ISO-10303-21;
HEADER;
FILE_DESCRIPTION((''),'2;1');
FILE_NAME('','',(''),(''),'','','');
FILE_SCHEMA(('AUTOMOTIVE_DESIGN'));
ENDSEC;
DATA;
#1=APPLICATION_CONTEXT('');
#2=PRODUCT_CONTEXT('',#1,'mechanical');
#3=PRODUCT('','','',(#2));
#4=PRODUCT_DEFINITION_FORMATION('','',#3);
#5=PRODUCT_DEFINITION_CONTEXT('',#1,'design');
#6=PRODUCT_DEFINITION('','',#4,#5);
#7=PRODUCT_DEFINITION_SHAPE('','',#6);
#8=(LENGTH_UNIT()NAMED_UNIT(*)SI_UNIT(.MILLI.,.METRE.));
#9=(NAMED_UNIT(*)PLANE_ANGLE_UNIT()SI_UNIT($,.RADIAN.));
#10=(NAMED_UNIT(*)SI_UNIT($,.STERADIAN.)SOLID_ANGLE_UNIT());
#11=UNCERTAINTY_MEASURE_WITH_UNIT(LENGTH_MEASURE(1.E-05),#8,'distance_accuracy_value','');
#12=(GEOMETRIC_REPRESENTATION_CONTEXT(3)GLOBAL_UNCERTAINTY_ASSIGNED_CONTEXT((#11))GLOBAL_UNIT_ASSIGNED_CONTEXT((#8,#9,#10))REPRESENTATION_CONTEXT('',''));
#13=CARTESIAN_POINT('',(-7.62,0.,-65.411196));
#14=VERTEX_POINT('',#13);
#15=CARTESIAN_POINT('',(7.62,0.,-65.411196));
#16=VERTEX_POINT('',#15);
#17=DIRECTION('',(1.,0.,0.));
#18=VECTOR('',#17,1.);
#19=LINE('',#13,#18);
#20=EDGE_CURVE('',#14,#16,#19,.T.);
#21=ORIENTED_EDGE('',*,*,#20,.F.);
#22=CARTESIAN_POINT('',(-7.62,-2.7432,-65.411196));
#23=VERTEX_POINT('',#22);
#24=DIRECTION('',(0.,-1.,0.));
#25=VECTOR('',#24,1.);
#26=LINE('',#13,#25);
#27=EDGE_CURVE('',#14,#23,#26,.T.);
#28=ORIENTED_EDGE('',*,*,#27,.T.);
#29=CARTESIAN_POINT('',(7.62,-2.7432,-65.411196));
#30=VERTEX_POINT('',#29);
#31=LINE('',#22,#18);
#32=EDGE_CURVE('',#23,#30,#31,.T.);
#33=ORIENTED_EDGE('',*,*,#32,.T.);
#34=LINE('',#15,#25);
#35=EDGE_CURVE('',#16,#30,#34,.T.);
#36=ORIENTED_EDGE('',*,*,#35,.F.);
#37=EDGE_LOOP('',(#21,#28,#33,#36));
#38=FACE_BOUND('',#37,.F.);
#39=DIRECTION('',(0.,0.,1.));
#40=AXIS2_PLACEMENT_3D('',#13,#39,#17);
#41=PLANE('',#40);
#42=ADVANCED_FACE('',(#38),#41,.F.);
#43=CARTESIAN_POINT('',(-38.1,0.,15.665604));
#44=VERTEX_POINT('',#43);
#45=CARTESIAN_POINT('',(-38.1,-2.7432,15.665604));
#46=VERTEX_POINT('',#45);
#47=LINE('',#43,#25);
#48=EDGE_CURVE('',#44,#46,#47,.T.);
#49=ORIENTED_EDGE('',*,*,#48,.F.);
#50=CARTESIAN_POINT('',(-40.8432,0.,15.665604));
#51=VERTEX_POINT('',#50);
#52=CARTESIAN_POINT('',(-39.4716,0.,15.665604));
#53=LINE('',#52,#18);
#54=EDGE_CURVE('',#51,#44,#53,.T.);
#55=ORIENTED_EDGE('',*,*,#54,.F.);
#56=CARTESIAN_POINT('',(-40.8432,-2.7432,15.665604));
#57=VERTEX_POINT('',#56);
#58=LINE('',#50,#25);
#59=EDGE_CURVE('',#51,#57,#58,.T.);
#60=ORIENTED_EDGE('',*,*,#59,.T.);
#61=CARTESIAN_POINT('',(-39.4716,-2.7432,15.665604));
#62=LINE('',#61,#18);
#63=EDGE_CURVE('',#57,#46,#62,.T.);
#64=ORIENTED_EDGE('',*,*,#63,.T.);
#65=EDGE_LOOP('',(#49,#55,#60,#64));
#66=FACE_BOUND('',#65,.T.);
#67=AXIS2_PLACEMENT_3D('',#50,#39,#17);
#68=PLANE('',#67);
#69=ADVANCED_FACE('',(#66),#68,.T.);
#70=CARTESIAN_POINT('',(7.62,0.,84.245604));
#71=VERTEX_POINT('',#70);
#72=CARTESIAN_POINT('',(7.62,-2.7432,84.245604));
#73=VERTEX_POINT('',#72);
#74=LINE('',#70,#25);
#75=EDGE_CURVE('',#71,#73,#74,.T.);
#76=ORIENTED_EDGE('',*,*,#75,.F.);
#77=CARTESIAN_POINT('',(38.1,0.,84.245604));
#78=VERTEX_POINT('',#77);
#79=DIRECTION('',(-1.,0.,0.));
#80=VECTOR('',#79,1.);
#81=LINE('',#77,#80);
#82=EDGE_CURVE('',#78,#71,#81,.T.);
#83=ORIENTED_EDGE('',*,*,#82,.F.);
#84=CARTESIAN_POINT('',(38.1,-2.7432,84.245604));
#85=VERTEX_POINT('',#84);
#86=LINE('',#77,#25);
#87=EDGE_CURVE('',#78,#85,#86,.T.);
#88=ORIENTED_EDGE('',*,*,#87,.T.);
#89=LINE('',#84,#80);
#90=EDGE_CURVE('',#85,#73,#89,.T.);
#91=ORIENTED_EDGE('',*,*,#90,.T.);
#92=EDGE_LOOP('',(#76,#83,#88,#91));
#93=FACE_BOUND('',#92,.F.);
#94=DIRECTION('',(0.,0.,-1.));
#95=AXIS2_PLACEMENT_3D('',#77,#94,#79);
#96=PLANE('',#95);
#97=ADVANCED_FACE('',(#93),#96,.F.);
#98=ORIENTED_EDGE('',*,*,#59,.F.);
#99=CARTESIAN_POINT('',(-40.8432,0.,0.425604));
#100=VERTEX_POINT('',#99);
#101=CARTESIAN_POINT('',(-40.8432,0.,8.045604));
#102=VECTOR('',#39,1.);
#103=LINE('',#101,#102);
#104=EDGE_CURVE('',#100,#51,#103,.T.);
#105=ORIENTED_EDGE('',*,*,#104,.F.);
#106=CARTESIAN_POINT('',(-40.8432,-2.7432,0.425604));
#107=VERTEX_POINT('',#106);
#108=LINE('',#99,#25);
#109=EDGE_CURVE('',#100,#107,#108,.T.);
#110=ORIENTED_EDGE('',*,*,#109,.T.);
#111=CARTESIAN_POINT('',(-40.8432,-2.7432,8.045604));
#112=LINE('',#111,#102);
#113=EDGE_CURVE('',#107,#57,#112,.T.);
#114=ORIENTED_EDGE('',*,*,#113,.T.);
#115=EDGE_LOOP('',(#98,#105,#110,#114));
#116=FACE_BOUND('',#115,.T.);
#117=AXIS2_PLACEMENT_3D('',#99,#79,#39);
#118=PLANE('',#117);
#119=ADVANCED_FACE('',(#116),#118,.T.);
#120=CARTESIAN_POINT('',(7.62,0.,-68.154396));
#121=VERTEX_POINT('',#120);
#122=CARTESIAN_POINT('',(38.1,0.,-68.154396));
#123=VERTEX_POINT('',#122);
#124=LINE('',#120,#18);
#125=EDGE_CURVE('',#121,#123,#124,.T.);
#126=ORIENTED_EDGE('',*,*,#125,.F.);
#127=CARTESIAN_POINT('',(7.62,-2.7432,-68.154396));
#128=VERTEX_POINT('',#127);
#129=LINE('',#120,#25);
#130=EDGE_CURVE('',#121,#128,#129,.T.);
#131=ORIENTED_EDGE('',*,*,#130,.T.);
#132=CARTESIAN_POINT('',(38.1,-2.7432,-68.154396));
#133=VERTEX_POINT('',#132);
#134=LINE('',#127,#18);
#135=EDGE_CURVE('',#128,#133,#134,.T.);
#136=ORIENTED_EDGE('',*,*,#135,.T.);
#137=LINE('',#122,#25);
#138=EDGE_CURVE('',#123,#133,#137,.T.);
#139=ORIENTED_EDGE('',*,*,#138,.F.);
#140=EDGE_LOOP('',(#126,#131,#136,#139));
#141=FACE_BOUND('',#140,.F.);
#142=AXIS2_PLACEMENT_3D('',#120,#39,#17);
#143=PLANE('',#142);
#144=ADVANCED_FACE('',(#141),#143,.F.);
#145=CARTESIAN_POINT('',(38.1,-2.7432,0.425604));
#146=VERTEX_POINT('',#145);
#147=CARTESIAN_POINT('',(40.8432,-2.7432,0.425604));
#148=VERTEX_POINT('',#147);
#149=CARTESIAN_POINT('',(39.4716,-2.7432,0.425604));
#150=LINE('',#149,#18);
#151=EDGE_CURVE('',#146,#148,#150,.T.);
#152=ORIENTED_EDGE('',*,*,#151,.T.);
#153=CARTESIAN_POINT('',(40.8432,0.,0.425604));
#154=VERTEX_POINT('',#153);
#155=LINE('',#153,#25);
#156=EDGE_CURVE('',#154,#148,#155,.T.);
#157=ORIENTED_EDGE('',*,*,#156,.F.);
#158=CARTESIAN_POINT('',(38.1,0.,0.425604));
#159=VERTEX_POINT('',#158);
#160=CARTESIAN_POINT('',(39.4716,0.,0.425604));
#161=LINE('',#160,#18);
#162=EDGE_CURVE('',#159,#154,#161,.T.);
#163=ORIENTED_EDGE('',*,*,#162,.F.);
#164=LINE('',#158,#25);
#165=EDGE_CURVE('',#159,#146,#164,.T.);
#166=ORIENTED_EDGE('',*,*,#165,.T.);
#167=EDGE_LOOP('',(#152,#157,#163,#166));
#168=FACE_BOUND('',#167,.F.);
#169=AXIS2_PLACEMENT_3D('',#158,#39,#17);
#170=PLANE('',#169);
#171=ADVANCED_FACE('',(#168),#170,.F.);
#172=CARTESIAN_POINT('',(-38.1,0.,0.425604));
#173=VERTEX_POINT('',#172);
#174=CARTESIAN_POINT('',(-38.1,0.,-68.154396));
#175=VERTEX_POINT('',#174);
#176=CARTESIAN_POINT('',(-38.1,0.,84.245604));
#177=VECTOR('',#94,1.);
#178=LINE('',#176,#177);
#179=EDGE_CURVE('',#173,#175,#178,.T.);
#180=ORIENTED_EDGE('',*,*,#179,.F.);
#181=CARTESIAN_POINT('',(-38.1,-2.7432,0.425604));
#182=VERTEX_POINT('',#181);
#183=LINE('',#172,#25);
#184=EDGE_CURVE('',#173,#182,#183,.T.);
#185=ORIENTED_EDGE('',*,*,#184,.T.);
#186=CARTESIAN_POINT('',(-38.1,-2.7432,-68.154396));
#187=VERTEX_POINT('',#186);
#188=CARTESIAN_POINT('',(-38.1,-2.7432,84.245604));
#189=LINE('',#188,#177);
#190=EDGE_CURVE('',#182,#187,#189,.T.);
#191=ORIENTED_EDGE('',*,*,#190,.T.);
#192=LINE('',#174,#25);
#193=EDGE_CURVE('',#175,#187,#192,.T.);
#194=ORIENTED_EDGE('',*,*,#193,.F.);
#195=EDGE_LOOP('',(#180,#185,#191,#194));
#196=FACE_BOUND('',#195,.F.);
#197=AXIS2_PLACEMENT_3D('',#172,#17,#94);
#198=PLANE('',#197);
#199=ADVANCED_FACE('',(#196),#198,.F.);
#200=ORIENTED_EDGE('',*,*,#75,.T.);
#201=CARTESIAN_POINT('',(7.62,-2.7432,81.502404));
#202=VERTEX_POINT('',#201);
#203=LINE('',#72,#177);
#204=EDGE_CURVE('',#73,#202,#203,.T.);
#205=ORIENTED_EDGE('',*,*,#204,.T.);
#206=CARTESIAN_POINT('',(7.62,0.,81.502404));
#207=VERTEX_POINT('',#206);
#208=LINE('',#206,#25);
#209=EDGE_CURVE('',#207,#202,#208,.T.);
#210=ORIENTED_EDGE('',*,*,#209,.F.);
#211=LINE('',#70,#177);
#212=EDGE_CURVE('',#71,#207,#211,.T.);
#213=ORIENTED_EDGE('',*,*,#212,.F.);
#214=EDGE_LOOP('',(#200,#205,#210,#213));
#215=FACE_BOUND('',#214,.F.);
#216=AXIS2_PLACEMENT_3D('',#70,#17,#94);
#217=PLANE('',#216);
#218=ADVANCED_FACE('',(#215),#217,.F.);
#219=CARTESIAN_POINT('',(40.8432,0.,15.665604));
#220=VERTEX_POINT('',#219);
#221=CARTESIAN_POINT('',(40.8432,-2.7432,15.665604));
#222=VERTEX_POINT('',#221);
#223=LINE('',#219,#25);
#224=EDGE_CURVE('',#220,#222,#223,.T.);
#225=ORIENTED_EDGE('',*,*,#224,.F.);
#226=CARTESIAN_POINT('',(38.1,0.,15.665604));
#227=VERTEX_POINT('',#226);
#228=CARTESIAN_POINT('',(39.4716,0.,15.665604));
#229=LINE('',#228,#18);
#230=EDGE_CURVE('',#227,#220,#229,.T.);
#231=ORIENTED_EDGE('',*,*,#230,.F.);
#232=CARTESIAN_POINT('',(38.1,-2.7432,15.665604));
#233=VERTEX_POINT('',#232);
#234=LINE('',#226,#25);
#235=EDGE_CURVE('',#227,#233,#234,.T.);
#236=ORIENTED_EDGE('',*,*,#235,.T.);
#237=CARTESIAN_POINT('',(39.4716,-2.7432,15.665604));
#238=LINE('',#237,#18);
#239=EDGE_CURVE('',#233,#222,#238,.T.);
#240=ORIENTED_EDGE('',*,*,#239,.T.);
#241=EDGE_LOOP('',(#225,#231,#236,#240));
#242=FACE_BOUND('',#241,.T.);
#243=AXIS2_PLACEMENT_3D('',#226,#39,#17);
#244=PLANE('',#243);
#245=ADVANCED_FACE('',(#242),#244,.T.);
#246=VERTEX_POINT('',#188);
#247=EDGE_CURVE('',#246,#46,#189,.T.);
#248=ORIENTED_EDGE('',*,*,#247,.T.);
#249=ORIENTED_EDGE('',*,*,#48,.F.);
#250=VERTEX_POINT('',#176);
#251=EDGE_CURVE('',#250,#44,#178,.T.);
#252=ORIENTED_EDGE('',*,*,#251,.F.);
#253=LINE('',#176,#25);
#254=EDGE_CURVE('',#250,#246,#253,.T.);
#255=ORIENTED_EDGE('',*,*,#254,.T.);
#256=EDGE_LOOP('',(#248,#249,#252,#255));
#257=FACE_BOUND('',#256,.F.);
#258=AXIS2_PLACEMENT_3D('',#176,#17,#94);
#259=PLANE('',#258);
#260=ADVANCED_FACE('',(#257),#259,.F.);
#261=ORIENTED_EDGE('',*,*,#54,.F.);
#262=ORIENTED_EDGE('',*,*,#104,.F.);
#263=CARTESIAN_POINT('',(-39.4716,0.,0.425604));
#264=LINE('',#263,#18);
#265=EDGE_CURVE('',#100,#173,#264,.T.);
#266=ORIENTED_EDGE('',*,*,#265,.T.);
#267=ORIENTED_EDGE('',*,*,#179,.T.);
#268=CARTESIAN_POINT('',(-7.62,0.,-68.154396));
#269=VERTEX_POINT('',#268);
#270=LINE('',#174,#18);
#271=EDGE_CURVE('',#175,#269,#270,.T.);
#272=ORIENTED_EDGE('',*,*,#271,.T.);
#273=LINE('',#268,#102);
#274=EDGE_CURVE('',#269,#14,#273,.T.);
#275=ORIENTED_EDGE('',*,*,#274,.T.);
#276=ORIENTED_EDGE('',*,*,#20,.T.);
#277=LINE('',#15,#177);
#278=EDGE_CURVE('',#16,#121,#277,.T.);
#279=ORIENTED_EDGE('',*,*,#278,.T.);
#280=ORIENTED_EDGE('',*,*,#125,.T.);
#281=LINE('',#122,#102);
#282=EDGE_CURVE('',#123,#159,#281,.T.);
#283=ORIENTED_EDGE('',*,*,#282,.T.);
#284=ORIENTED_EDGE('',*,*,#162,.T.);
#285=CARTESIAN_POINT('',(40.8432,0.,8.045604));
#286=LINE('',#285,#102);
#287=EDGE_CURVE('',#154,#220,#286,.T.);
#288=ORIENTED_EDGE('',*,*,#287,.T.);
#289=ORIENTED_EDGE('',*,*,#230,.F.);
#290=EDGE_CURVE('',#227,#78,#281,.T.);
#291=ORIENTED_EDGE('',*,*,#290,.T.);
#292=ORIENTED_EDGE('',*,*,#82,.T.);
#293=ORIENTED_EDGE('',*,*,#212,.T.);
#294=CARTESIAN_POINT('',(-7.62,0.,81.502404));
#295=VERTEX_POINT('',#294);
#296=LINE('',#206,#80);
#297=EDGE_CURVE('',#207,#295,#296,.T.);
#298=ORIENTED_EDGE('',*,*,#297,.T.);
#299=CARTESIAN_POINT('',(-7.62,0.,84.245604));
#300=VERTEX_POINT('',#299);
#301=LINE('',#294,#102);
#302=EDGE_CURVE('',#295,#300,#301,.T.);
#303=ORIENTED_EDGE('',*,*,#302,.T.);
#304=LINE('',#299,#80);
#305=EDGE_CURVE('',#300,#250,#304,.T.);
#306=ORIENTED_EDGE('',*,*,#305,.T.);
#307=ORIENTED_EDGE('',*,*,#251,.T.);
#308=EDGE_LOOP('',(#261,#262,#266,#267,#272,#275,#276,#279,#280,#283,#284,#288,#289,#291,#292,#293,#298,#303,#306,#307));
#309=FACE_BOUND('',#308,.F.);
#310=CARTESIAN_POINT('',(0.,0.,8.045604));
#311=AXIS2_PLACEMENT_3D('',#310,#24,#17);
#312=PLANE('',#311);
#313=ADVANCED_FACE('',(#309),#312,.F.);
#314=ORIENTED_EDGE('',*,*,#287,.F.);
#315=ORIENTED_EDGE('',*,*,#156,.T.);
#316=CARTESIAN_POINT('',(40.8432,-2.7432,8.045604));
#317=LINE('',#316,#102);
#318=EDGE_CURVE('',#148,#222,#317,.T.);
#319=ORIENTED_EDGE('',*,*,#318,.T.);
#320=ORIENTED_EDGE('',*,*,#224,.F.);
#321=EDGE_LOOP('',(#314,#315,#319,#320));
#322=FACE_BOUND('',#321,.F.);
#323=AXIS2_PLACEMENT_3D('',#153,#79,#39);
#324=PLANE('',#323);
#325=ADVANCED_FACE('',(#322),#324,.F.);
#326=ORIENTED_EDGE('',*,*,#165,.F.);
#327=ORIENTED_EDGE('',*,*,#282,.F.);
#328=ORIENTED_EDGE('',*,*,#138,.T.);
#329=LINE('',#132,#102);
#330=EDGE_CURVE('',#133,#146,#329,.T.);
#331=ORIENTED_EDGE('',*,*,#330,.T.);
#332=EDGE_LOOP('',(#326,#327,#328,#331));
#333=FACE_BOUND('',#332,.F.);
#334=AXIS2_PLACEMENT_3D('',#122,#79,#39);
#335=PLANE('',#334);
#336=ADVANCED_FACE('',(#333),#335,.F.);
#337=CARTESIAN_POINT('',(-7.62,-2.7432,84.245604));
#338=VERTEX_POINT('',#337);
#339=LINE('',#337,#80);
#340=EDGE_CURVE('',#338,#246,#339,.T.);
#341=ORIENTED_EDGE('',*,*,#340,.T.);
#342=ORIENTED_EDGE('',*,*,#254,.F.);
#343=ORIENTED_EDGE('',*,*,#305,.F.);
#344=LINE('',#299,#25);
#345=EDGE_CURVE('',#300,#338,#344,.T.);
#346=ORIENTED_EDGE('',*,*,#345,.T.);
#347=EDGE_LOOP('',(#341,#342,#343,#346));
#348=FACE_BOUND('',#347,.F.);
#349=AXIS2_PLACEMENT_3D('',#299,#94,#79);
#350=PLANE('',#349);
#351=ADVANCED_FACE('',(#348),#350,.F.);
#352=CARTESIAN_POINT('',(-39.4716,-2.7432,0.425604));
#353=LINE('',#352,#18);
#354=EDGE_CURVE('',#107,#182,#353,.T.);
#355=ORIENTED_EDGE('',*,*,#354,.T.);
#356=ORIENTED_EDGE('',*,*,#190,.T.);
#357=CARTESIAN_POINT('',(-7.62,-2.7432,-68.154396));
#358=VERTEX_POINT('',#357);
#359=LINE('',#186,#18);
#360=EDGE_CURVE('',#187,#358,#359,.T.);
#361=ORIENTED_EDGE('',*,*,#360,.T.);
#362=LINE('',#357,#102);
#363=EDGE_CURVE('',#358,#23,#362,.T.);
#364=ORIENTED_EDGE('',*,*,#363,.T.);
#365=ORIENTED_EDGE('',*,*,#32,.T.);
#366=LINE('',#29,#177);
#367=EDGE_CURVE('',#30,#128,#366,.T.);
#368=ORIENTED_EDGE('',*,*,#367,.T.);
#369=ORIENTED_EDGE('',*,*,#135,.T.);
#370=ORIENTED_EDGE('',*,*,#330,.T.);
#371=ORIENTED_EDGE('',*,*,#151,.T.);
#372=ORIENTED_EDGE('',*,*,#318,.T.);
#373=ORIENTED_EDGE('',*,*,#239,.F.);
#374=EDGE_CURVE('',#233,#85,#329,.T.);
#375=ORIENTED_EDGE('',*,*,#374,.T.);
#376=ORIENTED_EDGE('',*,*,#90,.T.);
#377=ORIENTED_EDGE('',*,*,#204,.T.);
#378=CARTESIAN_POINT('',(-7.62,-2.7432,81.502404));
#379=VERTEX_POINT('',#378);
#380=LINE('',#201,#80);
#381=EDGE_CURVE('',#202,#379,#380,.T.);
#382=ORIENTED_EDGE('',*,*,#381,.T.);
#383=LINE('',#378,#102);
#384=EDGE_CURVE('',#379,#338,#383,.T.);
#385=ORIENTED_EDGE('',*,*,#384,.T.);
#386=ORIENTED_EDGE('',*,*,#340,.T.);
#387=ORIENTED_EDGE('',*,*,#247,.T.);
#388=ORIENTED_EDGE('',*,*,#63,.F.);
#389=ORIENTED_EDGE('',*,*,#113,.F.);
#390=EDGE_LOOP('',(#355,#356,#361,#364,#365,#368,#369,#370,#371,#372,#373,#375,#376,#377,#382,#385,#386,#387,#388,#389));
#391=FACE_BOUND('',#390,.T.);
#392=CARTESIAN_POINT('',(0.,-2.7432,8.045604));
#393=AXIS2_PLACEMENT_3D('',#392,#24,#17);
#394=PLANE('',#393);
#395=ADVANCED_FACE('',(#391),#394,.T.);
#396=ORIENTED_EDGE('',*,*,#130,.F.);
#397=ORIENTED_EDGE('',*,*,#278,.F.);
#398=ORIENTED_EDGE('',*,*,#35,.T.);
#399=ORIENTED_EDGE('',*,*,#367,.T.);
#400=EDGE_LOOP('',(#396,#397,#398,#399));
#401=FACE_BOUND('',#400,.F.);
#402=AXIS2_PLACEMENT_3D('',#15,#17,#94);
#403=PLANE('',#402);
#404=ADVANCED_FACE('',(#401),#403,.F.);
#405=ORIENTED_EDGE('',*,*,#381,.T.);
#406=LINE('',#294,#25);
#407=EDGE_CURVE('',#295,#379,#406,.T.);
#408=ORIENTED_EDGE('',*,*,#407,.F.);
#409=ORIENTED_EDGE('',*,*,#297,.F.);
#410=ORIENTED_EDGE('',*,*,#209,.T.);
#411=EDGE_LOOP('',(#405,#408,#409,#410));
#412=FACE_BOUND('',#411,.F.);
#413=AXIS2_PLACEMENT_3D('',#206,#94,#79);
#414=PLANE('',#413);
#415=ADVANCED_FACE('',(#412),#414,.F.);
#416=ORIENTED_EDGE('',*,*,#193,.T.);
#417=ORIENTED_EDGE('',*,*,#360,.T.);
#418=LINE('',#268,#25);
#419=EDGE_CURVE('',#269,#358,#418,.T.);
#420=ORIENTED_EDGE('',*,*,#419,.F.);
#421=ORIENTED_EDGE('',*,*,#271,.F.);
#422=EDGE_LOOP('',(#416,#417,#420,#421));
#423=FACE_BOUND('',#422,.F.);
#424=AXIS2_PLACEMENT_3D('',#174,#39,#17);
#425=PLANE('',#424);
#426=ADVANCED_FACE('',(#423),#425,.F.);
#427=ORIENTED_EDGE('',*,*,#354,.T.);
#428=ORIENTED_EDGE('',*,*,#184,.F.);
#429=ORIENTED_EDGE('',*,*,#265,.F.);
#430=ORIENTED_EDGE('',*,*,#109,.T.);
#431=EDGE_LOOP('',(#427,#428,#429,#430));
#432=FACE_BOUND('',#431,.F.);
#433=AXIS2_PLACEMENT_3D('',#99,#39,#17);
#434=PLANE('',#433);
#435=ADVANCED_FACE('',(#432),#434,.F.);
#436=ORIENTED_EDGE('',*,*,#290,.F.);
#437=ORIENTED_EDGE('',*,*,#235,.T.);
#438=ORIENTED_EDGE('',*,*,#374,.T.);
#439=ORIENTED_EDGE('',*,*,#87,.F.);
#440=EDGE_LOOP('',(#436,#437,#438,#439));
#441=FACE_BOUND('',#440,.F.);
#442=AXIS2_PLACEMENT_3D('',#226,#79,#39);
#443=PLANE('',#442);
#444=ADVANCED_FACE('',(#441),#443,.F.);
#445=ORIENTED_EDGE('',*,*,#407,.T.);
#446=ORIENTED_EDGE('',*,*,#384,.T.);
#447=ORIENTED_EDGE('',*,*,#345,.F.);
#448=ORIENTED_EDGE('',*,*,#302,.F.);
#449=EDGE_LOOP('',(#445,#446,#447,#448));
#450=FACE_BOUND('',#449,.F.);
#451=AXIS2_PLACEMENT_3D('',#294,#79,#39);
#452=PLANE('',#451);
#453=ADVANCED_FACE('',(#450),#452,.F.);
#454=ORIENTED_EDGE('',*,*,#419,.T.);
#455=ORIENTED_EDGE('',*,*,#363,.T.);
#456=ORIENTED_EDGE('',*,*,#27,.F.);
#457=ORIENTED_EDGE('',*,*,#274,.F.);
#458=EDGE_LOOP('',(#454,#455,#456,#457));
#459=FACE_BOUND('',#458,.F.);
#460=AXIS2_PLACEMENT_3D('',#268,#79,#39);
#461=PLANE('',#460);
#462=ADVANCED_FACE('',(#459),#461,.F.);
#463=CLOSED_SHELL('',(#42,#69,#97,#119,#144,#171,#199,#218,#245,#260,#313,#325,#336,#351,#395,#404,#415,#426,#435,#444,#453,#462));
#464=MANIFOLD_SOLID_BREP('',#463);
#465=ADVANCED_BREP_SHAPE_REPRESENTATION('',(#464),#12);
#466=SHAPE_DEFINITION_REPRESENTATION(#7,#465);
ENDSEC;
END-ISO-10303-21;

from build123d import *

# Parameters (mm, degrees)
F0_W     = 2.7432
F0_H     = 15.24
F1_DEPTH = 2.7432


with BuildPart() as f1:
    # F0 (on Front) → F1 (new body)
    with BuildSketch(Plane.XZ):
        Polygon((-7.62, 84.245604), (-38.1, 84.245604), (-38.1, 15.665604), (-38.1, 0.425604), (-38.1, -68.154396), (-7.62, -68.154396), (-7.62, -65.411196), (7.62, -65.411196), (7.62, -68.154396), (38.1, -68.154396), (38.1, 0.425604), (38.1, 15.665604), (38.1, 84.245604), (7.62, 84.245604), (7.62, 81.502404), (-7.62, 81.502404), align=None)
        with Locations((-39.4716, 8.045604)):
            Rectangle(F0_W, F0_H)
        with Locations((39.4716, 8.045604)):
            Rectangle(F0_W, F0_H)
    extrude(amount=F1_DEPTH)


solid = f1.part
